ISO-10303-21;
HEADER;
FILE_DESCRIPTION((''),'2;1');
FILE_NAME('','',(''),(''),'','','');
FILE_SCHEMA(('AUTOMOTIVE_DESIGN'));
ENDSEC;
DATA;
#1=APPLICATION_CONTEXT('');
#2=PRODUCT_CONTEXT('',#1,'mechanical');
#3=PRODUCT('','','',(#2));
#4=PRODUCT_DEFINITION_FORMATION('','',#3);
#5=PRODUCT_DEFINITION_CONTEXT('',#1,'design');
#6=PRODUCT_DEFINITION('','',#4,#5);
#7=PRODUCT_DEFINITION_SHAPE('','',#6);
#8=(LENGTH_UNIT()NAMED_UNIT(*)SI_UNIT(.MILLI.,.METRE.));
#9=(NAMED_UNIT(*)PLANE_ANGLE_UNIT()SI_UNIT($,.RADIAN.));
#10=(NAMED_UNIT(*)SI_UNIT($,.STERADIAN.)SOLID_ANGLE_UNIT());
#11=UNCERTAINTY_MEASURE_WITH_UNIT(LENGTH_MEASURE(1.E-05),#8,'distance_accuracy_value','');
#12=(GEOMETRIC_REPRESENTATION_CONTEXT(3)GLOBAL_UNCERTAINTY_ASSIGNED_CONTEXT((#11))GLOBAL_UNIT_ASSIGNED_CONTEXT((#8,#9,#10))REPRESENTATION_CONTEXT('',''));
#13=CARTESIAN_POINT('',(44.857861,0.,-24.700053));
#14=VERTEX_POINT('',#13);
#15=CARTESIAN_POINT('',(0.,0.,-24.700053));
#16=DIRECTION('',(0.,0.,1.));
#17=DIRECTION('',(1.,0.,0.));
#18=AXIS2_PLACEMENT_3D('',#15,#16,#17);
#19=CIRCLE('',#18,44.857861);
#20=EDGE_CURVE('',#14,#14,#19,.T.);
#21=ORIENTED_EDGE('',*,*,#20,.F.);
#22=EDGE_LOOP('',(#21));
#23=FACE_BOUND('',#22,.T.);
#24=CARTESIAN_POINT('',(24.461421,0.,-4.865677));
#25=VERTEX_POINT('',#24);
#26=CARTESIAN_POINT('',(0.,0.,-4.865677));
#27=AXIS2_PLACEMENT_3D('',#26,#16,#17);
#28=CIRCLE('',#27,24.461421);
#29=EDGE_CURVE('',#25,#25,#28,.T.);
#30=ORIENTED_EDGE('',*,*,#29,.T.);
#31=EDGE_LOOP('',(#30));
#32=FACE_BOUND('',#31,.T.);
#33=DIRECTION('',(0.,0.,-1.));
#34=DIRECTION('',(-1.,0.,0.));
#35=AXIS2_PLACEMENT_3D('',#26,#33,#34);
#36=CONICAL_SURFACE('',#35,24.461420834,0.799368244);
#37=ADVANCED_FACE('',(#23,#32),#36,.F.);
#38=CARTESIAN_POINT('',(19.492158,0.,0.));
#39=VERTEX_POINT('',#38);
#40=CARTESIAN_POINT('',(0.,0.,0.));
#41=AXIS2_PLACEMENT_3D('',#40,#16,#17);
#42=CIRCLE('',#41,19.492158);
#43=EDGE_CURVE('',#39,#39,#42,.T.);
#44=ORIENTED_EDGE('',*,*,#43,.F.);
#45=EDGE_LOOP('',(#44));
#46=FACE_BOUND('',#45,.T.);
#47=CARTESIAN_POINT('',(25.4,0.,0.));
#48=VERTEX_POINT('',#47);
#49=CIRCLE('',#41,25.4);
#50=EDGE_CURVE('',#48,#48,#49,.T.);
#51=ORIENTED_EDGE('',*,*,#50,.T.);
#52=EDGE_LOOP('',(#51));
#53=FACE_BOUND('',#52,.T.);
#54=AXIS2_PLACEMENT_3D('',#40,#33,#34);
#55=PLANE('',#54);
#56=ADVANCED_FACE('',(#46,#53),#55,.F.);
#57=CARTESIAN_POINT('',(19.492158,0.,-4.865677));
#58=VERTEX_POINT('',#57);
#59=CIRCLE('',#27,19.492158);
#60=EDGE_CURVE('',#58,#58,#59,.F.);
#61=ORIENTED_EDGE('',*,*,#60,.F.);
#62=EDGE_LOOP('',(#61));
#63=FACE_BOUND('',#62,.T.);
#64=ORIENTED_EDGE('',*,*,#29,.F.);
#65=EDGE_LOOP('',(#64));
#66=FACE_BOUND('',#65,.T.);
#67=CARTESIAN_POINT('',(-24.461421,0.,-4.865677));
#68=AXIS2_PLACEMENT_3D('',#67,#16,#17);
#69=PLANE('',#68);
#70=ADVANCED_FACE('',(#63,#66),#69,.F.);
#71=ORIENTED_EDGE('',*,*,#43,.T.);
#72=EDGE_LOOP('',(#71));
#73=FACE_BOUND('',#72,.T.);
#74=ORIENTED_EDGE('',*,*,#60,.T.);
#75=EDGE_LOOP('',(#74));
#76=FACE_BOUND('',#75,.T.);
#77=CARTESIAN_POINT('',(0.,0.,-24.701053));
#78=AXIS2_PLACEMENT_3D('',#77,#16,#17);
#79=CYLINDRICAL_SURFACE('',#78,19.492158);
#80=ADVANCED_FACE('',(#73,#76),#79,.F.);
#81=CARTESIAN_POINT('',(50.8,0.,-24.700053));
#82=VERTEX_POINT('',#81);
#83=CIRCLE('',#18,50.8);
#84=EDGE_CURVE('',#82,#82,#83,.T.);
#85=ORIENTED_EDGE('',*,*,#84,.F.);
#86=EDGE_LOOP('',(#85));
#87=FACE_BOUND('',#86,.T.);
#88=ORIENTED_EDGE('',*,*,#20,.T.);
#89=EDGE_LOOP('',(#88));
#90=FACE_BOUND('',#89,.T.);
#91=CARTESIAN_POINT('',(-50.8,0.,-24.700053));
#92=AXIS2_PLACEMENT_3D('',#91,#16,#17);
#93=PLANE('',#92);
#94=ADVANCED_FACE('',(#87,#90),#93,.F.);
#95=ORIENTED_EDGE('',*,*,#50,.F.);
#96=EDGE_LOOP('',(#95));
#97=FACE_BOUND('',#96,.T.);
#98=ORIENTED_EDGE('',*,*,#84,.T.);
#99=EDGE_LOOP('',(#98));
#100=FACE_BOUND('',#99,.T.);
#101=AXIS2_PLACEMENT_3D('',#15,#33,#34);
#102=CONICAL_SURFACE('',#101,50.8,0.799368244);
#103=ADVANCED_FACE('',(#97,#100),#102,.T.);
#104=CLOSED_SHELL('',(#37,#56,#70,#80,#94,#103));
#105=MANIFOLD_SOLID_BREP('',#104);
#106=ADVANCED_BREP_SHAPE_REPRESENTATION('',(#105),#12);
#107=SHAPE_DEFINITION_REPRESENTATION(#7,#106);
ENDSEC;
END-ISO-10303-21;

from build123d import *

# Parameters (mm, degrees)
CUT_EXTRUDE2_REACH = 77.97
SKETCH2_R          = 19.492158378


with BuildPart() as part:
    # Sketch1 → Revolve1 (revolve)
    with BuildSketch(Plane(origin=(0, 0, 0), x_dir=(1, 0, 0), z_dir=(0, 1, 0)), mode=Mode.PRIVATE) as revolve1_sk:
        Polygon((0, 0), (-25.4, 0), (-50.8, 24.70005271), (-44.857860958, 24.70005271), (-24.461420834, 4.865676877), (0, 4.865676877), align=None)
    revolve(revolve1_sk.sketch.rotate(Axis((0, 0, 0), (0, 0, -1)), 180), axis=Axis((0, 0, 0), (0, 0, -1)))

    # Sketch2 → Cut-Extrude2 (cut, up to next)
    with BuildSketch(Plane.XY, mode=Mode.PRIVATE) as cut_extrude2_sk1:
        Circle(SKETCH2_R)
    cut_extrude2_tool1 = extrude(cut_extrude2_sk1.sketch, amount=-CUT_EXTRUDE2_REACH, mode=Mode.PRIVATE) & part.part
    add(cut_extrude2_tool1.solids().sort_by_distance((0, 0, 0))[0], mode=Mode.SUBTRACT)


solid = part.part
